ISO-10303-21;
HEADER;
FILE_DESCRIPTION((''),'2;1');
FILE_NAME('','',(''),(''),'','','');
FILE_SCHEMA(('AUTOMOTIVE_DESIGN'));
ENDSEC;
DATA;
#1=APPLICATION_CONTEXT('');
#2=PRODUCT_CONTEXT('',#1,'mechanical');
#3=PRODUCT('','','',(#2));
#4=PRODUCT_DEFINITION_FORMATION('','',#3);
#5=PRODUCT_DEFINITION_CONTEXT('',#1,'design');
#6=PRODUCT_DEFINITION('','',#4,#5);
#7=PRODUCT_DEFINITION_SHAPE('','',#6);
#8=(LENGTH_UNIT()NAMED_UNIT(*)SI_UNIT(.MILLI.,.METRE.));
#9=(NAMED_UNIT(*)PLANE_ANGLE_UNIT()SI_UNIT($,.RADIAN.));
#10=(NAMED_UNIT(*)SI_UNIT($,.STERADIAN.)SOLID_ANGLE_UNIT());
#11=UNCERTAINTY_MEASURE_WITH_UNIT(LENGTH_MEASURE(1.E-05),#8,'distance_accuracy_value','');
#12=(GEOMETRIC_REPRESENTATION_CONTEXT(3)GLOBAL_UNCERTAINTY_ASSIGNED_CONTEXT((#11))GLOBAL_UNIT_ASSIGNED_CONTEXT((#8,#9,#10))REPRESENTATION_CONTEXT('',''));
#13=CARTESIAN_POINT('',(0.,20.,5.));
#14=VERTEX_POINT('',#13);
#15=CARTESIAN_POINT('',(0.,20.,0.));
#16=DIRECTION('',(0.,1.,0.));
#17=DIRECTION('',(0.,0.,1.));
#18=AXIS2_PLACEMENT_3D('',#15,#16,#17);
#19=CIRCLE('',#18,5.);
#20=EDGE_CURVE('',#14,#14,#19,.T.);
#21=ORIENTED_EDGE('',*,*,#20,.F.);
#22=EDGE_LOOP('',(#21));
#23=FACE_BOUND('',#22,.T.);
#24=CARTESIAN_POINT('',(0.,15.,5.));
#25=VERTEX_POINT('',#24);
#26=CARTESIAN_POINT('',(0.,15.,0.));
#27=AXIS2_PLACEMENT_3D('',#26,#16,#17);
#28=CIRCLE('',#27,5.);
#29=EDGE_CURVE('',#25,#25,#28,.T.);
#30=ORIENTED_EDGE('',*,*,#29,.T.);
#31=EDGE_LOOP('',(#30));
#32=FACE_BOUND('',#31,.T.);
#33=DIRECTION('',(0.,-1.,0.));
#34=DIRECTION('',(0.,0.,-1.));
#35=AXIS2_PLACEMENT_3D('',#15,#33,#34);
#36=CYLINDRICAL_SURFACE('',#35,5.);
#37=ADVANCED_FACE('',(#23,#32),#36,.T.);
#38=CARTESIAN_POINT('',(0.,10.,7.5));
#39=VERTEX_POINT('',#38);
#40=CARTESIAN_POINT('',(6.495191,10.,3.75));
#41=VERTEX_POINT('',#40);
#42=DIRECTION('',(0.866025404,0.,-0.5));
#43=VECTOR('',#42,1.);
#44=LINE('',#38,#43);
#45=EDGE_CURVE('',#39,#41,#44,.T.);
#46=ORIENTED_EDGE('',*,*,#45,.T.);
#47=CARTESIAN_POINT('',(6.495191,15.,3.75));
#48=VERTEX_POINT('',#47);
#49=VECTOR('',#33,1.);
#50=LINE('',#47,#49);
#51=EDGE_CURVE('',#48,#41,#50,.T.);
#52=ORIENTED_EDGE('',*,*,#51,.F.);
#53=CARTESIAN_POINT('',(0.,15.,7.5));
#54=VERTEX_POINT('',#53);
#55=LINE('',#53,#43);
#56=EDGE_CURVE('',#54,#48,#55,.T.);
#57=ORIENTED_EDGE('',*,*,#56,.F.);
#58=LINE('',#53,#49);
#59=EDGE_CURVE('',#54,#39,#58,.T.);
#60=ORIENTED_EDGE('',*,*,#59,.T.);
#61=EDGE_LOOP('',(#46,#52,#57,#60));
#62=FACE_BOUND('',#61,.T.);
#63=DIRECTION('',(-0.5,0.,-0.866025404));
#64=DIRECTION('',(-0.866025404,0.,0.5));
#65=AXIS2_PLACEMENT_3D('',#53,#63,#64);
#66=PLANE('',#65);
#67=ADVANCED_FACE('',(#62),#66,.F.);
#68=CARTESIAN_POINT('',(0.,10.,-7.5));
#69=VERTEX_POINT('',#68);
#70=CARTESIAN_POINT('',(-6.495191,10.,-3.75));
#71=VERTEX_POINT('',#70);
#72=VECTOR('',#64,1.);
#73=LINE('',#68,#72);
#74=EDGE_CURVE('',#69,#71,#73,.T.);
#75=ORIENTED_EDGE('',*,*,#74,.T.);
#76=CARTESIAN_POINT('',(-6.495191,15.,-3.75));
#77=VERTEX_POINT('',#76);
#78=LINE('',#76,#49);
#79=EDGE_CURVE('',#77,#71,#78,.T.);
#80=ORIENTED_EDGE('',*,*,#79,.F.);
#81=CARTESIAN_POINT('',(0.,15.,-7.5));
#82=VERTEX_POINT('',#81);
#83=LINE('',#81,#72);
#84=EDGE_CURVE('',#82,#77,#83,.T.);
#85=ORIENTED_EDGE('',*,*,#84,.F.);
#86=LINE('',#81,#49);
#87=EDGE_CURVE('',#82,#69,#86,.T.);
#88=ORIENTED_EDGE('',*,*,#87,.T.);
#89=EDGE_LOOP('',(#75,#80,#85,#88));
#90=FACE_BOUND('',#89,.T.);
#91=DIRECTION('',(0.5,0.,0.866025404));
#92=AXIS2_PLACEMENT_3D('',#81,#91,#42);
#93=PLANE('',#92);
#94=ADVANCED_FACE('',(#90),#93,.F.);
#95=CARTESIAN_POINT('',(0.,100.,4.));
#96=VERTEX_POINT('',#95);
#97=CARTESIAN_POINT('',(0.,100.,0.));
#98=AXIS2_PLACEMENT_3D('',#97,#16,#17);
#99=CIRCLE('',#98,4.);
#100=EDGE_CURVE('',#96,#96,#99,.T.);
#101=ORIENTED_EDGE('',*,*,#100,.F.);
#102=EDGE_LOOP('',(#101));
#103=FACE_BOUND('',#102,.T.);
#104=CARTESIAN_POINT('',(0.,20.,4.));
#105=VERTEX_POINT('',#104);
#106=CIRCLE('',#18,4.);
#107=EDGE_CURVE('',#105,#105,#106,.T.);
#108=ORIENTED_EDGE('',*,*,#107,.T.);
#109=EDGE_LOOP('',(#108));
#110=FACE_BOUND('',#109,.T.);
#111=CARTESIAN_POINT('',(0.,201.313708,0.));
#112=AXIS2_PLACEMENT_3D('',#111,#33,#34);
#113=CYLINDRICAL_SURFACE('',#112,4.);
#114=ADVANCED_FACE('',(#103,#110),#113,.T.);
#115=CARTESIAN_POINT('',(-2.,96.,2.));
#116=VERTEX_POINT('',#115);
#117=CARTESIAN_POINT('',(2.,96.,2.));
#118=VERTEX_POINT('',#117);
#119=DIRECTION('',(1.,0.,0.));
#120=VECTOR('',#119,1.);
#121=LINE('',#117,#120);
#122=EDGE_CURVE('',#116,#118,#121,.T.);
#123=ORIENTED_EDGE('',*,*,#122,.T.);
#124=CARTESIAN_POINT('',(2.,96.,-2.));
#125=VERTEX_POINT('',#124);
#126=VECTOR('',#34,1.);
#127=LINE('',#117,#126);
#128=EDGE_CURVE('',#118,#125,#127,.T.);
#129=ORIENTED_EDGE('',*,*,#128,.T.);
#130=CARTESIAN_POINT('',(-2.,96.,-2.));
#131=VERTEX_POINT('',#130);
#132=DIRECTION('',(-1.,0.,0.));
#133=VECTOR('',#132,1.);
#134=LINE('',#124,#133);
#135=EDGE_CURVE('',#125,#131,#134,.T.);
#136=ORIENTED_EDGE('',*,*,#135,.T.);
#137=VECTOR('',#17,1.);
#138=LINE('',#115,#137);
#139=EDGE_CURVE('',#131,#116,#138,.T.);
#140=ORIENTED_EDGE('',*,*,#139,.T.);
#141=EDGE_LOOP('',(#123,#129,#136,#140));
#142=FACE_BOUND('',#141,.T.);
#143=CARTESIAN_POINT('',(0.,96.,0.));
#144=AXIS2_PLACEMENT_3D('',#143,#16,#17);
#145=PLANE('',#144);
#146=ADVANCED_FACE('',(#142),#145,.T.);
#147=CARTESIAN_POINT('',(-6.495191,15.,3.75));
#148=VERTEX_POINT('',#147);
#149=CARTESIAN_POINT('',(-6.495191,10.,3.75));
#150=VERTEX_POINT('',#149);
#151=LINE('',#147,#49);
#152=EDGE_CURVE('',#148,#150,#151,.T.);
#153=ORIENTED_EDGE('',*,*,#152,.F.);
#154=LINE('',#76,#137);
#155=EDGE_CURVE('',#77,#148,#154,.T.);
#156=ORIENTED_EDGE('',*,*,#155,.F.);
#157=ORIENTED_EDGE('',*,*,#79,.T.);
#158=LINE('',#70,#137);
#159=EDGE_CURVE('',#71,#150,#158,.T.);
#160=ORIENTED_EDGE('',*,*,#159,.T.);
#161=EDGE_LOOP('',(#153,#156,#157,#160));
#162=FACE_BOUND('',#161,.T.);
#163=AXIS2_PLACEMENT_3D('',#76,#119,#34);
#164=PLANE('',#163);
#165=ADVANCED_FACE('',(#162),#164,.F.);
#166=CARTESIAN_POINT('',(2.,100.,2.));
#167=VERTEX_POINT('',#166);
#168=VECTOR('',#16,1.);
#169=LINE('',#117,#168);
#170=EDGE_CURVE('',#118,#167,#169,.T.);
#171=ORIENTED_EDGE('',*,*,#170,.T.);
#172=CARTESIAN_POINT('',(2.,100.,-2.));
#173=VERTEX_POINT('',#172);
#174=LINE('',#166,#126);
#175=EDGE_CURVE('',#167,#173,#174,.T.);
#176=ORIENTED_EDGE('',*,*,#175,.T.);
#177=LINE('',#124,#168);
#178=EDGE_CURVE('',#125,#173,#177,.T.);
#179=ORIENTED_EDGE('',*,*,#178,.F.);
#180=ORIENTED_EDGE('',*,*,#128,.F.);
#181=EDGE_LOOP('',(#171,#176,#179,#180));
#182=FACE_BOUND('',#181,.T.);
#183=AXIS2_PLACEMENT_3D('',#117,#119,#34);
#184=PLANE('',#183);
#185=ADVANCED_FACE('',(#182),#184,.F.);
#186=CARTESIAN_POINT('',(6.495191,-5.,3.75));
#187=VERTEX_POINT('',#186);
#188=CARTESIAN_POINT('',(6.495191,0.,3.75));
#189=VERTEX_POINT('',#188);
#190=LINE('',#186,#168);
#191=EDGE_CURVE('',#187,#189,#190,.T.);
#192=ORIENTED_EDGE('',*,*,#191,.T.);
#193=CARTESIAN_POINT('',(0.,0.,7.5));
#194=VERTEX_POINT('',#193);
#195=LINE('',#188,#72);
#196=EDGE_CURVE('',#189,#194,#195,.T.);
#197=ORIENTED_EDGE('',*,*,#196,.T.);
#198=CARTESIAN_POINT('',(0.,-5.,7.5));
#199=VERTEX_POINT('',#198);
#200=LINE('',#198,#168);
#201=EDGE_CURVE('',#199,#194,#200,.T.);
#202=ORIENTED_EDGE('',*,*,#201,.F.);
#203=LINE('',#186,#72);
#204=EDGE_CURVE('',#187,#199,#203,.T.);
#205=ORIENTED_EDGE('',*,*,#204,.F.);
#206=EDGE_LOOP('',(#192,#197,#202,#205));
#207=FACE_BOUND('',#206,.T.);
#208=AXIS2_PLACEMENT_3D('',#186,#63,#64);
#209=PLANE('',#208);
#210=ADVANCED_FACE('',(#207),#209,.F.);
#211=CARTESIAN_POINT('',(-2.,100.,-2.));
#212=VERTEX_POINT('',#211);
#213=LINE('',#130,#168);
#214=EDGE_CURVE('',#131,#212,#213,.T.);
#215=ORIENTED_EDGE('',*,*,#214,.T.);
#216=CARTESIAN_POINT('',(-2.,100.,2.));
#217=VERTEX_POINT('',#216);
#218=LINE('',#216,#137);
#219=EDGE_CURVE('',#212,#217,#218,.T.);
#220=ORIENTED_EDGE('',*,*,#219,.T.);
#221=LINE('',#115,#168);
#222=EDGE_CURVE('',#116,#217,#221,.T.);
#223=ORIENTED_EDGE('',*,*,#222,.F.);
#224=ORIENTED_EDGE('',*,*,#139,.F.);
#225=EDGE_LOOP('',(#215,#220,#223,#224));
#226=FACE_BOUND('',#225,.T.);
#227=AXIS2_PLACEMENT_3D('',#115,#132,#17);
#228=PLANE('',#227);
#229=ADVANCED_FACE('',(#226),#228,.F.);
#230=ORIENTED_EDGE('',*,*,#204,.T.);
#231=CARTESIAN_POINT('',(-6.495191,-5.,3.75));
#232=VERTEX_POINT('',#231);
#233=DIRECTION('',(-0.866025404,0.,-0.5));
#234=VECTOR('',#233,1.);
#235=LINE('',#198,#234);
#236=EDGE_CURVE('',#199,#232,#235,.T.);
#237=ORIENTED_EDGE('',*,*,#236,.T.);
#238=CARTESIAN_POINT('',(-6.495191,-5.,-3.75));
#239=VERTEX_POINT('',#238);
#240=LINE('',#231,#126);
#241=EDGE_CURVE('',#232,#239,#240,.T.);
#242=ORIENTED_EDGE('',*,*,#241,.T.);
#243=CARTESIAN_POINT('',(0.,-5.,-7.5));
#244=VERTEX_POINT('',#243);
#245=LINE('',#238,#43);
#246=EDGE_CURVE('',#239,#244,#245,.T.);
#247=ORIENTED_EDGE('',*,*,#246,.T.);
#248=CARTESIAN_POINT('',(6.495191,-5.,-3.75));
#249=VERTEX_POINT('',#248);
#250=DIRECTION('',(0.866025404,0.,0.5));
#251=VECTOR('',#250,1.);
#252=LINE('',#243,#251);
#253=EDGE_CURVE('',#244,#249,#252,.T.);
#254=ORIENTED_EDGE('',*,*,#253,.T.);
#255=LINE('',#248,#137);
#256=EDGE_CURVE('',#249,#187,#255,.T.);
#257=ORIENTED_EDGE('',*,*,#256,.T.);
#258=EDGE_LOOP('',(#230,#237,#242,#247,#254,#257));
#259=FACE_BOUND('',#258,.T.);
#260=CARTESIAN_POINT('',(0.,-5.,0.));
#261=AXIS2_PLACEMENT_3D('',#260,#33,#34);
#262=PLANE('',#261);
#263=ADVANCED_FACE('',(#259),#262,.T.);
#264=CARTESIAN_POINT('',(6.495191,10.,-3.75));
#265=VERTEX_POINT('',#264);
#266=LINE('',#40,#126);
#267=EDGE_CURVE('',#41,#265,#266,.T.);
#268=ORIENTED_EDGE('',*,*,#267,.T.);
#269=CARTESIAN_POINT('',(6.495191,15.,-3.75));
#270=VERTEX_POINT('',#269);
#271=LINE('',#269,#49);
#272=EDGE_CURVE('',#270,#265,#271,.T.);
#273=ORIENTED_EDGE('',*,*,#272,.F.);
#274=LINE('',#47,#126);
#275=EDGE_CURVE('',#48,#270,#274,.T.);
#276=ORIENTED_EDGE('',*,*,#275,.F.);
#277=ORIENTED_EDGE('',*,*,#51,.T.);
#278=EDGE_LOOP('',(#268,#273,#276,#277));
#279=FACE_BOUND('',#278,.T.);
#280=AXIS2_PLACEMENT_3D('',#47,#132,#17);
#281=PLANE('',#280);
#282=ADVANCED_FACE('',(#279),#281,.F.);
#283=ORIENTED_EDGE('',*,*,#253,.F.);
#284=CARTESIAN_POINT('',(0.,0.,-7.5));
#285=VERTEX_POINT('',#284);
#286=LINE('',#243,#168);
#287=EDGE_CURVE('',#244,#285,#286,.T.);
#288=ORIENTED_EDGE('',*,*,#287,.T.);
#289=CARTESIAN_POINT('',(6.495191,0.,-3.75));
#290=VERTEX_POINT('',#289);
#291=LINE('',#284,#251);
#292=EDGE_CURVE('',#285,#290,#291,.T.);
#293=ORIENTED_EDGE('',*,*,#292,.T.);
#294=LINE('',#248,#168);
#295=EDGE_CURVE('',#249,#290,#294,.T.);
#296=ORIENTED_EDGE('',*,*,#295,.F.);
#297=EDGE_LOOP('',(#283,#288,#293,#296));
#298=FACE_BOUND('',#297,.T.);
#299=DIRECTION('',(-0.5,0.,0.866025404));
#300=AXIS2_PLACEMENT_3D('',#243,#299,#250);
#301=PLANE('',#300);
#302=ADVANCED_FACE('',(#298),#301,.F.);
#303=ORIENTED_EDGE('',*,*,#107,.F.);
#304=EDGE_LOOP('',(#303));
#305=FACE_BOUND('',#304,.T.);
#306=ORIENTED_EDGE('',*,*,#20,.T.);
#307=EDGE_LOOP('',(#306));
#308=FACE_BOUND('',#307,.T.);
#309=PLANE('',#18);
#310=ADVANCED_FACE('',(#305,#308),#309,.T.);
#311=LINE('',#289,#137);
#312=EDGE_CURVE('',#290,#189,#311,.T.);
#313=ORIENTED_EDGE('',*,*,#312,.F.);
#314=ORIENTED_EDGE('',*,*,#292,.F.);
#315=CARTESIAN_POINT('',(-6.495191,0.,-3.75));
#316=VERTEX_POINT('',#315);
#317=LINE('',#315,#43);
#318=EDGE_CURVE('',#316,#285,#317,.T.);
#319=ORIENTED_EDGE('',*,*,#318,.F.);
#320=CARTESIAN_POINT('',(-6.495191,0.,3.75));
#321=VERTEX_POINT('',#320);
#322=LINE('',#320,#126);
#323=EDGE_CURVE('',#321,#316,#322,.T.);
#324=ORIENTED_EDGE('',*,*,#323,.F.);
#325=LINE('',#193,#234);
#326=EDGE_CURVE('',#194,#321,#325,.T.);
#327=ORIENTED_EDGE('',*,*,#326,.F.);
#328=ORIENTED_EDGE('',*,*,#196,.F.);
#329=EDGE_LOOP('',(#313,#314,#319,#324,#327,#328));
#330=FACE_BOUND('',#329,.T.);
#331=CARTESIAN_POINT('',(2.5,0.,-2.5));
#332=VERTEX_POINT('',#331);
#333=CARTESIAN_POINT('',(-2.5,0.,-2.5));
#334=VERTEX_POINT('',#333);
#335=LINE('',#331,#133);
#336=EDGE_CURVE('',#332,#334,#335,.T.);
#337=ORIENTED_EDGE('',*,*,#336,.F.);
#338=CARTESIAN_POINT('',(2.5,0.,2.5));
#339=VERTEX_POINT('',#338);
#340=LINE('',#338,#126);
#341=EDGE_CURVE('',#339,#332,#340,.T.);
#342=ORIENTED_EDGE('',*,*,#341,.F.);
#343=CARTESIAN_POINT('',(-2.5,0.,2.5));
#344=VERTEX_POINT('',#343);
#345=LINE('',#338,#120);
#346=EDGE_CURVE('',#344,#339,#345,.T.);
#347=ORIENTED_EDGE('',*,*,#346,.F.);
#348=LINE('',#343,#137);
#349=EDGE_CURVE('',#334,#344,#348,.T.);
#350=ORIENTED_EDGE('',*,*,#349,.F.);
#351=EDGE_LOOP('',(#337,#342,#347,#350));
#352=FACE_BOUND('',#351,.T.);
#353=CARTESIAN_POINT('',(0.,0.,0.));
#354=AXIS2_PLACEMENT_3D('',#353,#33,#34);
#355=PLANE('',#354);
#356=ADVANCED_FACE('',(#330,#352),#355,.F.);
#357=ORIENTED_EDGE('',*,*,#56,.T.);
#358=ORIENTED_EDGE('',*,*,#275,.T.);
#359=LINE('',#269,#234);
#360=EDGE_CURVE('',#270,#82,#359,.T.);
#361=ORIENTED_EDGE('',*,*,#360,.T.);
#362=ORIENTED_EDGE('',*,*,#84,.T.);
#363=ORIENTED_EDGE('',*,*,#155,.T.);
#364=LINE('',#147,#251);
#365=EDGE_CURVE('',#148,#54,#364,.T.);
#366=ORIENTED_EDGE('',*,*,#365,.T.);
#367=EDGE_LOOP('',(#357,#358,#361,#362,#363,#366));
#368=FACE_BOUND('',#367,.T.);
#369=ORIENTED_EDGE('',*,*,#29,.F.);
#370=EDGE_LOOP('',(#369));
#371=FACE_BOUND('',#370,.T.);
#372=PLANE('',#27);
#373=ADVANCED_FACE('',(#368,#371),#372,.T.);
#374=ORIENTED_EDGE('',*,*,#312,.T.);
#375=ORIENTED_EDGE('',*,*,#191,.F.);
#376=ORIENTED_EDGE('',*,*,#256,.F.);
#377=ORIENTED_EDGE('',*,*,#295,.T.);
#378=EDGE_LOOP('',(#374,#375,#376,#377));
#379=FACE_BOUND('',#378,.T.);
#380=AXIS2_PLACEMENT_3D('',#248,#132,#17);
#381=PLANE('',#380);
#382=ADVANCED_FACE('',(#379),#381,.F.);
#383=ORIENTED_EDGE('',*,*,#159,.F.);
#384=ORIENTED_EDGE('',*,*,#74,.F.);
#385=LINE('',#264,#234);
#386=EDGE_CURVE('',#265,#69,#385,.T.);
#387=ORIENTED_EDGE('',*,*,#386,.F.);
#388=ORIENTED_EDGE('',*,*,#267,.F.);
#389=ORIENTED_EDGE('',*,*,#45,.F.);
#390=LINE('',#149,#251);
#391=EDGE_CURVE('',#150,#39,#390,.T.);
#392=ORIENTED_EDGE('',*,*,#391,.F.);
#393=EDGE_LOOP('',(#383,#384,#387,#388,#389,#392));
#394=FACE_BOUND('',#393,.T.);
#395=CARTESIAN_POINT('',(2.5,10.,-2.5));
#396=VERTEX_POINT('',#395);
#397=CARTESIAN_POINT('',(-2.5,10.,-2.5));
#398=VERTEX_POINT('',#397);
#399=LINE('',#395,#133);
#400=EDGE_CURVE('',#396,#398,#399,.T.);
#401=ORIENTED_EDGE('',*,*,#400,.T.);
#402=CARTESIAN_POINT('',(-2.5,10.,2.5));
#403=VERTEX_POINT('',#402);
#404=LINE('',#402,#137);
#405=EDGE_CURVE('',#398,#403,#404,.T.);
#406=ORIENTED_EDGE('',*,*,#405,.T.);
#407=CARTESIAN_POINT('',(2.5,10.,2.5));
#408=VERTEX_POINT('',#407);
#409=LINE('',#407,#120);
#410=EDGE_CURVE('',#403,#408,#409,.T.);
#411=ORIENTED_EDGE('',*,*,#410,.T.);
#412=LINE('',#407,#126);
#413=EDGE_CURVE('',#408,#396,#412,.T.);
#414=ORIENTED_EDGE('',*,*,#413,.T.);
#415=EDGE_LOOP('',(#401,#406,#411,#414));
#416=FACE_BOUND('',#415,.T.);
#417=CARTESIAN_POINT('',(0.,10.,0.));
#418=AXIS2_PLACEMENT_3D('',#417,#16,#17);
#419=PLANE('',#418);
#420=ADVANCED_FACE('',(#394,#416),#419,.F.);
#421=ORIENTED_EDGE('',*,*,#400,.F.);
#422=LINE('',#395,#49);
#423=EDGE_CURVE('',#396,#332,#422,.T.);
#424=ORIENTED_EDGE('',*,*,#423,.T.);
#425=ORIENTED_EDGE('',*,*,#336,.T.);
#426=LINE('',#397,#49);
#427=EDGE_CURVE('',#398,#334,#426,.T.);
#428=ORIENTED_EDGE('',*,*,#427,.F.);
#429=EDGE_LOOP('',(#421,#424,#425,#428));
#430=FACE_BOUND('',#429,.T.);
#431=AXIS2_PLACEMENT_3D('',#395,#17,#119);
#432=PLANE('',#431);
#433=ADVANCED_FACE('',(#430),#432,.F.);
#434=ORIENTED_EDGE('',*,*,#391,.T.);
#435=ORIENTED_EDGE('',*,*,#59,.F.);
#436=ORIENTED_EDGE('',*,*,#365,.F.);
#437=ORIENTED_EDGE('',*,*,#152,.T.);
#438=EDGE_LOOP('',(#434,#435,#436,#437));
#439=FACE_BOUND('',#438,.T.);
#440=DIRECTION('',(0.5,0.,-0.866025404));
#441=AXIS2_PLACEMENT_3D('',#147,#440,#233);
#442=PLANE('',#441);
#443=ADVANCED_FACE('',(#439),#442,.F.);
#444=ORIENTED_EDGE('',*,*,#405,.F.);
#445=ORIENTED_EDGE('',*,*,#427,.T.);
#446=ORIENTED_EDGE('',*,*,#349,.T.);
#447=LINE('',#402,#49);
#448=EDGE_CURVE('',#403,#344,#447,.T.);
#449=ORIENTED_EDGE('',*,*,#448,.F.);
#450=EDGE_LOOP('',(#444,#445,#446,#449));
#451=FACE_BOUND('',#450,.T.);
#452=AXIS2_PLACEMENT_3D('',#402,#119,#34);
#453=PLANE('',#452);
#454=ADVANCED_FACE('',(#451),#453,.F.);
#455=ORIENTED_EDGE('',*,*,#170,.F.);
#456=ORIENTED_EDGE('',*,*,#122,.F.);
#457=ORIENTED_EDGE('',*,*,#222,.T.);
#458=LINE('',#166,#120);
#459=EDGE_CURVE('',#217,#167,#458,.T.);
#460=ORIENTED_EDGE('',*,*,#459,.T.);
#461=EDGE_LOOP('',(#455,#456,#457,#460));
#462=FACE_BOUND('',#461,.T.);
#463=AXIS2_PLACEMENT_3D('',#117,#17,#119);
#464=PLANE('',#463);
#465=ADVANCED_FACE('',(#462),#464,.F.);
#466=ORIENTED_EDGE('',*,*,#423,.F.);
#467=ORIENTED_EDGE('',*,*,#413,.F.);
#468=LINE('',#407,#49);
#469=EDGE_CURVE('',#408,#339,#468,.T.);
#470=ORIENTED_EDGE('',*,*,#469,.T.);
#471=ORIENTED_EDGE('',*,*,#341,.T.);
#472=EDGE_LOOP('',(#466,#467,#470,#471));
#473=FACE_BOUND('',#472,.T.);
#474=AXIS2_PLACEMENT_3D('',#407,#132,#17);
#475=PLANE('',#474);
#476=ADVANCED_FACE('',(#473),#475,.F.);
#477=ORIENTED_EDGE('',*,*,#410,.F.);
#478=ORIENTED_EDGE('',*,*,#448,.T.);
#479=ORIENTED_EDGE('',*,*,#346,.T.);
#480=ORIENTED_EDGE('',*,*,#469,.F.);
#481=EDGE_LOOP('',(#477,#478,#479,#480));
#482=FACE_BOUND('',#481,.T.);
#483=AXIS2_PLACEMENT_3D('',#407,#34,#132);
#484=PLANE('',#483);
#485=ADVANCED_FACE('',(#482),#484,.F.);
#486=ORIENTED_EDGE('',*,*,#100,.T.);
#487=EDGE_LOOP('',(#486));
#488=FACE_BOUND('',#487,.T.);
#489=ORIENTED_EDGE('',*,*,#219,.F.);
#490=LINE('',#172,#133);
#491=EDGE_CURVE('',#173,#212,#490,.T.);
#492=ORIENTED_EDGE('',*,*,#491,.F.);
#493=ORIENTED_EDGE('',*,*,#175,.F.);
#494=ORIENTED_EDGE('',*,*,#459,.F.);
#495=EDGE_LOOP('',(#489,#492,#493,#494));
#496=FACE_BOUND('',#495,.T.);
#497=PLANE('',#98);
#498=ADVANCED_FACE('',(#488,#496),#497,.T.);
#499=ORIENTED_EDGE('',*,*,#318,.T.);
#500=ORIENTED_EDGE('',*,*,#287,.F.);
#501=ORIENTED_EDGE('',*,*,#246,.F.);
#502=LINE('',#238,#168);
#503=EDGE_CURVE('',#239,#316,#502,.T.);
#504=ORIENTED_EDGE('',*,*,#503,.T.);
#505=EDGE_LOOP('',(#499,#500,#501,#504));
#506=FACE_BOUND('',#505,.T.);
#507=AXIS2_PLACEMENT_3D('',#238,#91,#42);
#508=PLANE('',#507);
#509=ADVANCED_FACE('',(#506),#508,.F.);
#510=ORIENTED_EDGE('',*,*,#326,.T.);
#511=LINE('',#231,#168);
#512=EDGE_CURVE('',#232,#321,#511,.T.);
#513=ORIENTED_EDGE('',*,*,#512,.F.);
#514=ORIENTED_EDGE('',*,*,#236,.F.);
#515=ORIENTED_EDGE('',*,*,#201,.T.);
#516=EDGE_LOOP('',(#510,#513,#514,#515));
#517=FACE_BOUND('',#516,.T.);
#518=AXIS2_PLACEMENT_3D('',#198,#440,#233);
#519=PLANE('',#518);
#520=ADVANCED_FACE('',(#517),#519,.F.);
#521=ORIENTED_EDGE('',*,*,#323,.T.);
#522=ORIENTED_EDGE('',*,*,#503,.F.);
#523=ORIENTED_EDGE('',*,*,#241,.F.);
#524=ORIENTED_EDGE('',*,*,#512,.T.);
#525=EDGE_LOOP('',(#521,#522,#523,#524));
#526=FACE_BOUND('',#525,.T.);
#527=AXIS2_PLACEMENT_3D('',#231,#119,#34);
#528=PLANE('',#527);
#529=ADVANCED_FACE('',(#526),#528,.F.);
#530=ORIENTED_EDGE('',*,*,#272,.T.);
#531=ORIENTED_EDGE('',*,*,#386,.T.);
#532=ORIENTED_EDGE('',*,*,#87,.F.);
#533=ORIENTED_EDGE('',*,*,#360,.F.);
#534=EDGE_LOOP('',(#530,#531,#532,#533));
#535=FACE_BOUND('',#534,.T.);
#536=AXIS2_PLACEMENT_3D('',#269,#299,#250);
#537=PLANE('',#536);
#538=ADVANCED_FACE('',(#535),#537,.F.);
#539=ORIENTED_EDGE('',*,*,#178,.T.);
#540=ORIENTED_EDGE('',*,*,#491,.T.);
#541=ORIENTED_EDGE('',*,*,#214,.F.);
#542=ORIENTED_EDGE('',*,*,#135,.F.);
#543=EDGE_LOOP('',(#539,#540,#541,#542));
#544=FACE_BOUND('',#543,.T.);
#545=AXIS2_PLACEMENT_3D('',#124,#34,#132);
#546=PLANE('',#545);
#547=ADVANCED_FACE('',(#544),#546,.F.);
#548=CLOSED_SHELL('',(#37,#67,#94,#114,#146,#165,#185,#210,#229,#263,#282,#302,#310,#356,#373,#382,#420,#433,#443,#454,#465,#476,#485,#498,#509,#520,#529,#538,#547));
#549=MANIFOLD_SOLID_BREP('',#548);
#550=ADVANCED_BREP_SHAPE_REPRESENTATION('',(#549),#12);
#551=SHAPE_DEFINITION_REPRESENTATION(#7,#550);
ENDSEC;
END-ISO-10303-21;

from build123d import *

# Parameters (mm, degrees)
SKETCH1_W           = 5
SKETCH1_H           = 5
BOSS_EXTRUDE1_DEPTH = 10
BOSS_EXTRUDE2_DEPTH = 5
BOSS_EXTRUDE3_DEPTH = 5
SKETCH4_R           = 5
BOSS_EXTRUDE4_DEPTH = 5
SKETCH5_R           = 4
BOSS_EXTRUDE5_DEPTH = 80
SKETCH6_W           = 4
SKETCH6_H           = 4
CUT_EXTRUDE1_DEPTH  = 4


with BuildPart() as part:
    # Sketch1 → Boss-Extrude1 (new body)
    with BuildSketch(Plane(origin=(0, 0, 0), x_dir=(1, 0, 0), z_dir=(0, 1, 0))):
        Rectangle(SKETCH1_W, SKETCH1_H)
    extrude(amount=BOSS_EXTRUDE1_DEPTH)

    # Sketch2 → Boss-Extrude2 (add)
    with BuildSketch(Plane.XZ):
        Polygon((0, 7.5), (-6.495190528, 3.75), (-6.495190528, -3.75), (0, -7.5), (6.495190528, -3.75), (6.495190528, 3.75), align=None)
    extrude(amount=BOSS_EXTRUDE2_DEPTH)

    # Sketch3 → Boss-Extrude3 (add)
    with BuildSketch(Plane(origin=(0, 10, 0), x_dir=(1, 0, 0), z_dir=(0, 1, 0))):
        Polygon((0, -7.5), (6.495190528, -3.75), (6.495190528, 3.75), (0, 7.5), (-6.495190528, 3.75), (-6.495190528, -3.75), align=None)
    extrude(amount=BOSS_EXTRUDE3_DEPTH)

    # Sketch4 → Boss-Extrude4 (add)
    with BuildSketch(Plane(origin=(0, 15, 0), x_dir=(1, 0, 0), z_dir=(0, 1, 0))):
        Circle(SKETCH4_R)
    extrude(amount=BOSS_EXTRUDE4_DEPTH)

    # Sketch5 → Boss-Extrude5 (add)
    with BuildSketch(Plane(origin=(0, 20, 0), x_dir=(1, 0, 0), z_dir=(0, 1, 0))):
        Circle(SKETCH5_R)
    extrude(amount=BOSS_EXTRUDE5_DEPTH)

    # Sketch6 → Cut-Extrude1 (cut)
    with BuildSketch(Plane(origin=(0, 100, 0), x_dir=(1, 0, 0), z_dir=(0, 1, 0))):
        Rectangle(SKETCH6_W, SKETCH6_H)
    extrude(amount=-CUT_EXTRUDE1_DEPTH, mode=Mode.SUBTRACT)


solid = part.part
